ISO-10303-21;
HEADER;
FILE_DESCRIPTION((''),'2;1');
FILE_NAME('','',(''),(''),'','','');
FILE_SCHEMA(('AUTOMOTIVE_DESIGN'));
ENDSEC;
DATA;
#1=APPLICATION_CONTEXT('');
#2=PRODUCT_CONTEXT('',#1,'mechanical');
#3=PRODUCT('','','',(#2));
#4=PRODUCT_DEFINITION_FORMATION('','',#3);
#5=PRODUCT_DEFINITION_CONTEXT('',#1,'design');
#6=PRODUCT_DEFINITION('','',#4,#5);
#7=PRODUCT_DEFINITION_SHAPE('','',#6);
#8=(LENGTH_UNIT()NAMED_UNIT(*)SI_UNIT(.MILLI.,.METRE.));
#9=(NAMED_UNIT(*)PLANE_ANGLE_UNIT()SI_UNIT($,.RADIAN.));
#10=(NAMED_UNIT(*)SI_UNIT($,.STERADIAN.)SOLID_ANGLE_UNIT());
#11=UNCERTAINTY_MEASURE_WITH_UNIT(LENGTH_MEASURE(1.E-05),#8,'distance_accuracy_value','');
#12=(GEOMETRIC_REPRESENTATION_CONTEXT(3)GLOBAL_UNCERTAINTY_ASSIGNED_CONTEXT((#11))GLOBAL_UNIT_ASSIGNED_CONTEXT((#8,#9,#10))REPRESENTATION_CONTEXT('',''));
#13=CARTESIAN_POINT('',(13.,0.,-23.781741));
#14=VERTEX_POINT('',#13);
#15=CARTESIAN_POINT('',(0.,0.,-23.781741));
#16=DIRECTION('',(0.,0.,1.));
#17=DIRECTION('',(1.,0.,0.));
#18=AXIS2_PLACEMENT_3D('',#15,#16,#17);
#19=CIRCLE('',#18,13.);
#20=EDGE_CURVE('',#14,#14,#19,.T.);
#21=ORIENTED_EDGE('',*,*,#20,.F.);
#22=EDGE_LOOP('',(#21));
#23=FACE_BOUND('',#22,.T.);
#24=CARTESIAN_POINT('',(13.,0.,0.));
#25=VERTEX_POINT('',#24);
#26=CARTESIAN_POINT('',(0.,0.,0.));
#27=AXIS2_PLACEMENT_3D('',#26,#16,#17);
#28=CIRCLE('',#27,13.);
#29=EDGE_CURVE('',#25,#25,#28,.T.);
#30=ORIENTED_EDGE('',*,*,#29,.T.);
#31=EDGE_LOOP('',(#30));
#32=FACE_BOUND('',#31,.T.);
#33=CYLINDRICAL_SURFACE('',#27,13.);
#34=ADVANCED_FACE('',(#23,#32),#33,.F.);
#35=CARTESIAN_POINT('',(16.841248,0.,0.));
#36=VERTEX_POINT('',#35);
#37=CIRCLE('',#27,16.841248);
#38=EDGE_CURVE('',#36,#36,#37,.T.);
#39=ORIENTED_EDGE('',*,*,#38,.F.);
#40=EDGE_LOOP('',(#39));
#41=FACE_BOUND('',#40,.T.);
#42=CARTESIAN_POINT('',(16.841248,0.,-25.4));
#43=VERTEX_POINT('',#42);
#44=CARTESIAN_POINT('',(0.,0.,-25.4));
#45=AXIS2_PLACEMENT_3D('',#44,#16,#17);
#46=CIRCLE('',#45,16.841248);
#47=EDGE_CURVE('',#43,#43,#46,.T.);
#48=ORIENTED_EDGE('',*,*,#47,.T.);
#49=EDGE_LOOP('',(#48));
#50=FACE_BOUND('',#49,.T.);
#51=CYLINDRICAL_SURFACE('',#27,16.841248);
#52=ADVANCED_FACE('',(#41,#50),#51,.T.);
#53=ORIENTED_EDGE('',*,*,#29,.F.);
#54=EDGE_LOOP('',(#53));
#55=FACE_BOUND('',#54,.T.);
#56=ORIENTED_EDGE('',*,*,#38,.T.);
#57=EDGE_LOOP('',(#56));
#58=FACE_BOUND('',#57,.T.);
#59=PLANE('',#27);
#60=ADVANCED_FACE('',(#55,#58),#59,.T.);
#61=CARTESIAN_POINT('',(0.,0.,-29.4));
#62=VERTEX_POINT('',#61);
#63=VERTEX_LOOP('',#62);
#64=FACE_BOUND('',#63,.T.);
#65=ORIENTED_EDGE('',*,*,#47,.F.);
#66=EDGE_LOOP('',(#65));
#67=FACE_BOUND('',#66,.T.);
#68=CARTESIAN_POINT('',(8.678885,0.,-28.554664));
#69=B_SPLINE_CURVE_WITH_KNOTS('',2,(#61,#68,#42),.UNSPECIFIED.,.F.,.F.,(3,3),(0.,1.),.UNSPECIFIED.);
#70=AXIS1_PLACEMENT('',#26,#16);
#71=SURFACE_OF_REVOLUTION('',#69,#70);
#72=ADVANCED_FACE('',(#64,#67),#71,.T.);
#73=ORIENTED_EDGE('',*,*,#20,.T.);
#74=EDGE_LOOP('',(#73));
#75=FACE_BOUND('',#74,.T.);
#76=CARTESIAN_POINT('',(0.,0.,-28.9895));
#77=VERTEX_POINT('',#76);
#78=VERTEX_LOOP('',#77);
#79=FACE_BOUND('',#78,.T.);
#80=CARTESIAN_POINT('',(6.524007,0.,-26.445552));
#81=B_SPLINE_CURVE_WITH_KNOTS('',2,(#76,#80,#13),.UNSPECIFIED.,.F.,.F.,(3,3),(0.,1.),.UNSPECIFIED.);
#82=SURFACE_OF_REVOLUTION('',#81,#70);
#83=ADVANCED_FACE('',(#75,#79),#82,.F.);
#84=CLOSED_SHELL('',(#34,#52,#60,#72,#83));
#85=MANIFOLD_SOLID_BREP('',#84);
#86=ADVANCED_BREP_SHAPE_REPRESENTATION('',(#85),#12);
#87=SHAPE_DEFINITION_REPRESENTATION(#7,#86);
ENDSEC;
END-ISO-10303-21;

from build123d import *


with BuildPart() as part:
    # Sketch1 → Revolve2 (revolve)
    with BuildSketch(Plane(origin=(0, 0, 0), x_dir=(1, 0, 0), z_dir=(0, 1, 0))):
        with BuildLine():
            add(Edge.make_bspline(
                [(0, 29.4), (8.678885494, 28.55466352), (16.841248047, 25.4)],
                knots=[0, 0, 0, 1, 1, 1], degree=2))
            Line((16.841248047, 25.4), (16.841248047, 0))
            Line((16.841248047, 0), (13, 0))
            Line((13, 0), (13, 23.781740617))
            add(Edge.make_bspline(
                [(0, 28.989500287), (6.524006778, 26.445552373), (13, 23.781740617)],
                knots=[0, 0, 0, 1, 1, 1], degree=2))
            Line((0, 28.989500287), (0, 29.4))
        make_face()
    revolve(axis=Axis((0, 0, 0), (0, 0, -1)))


solid = part.part
